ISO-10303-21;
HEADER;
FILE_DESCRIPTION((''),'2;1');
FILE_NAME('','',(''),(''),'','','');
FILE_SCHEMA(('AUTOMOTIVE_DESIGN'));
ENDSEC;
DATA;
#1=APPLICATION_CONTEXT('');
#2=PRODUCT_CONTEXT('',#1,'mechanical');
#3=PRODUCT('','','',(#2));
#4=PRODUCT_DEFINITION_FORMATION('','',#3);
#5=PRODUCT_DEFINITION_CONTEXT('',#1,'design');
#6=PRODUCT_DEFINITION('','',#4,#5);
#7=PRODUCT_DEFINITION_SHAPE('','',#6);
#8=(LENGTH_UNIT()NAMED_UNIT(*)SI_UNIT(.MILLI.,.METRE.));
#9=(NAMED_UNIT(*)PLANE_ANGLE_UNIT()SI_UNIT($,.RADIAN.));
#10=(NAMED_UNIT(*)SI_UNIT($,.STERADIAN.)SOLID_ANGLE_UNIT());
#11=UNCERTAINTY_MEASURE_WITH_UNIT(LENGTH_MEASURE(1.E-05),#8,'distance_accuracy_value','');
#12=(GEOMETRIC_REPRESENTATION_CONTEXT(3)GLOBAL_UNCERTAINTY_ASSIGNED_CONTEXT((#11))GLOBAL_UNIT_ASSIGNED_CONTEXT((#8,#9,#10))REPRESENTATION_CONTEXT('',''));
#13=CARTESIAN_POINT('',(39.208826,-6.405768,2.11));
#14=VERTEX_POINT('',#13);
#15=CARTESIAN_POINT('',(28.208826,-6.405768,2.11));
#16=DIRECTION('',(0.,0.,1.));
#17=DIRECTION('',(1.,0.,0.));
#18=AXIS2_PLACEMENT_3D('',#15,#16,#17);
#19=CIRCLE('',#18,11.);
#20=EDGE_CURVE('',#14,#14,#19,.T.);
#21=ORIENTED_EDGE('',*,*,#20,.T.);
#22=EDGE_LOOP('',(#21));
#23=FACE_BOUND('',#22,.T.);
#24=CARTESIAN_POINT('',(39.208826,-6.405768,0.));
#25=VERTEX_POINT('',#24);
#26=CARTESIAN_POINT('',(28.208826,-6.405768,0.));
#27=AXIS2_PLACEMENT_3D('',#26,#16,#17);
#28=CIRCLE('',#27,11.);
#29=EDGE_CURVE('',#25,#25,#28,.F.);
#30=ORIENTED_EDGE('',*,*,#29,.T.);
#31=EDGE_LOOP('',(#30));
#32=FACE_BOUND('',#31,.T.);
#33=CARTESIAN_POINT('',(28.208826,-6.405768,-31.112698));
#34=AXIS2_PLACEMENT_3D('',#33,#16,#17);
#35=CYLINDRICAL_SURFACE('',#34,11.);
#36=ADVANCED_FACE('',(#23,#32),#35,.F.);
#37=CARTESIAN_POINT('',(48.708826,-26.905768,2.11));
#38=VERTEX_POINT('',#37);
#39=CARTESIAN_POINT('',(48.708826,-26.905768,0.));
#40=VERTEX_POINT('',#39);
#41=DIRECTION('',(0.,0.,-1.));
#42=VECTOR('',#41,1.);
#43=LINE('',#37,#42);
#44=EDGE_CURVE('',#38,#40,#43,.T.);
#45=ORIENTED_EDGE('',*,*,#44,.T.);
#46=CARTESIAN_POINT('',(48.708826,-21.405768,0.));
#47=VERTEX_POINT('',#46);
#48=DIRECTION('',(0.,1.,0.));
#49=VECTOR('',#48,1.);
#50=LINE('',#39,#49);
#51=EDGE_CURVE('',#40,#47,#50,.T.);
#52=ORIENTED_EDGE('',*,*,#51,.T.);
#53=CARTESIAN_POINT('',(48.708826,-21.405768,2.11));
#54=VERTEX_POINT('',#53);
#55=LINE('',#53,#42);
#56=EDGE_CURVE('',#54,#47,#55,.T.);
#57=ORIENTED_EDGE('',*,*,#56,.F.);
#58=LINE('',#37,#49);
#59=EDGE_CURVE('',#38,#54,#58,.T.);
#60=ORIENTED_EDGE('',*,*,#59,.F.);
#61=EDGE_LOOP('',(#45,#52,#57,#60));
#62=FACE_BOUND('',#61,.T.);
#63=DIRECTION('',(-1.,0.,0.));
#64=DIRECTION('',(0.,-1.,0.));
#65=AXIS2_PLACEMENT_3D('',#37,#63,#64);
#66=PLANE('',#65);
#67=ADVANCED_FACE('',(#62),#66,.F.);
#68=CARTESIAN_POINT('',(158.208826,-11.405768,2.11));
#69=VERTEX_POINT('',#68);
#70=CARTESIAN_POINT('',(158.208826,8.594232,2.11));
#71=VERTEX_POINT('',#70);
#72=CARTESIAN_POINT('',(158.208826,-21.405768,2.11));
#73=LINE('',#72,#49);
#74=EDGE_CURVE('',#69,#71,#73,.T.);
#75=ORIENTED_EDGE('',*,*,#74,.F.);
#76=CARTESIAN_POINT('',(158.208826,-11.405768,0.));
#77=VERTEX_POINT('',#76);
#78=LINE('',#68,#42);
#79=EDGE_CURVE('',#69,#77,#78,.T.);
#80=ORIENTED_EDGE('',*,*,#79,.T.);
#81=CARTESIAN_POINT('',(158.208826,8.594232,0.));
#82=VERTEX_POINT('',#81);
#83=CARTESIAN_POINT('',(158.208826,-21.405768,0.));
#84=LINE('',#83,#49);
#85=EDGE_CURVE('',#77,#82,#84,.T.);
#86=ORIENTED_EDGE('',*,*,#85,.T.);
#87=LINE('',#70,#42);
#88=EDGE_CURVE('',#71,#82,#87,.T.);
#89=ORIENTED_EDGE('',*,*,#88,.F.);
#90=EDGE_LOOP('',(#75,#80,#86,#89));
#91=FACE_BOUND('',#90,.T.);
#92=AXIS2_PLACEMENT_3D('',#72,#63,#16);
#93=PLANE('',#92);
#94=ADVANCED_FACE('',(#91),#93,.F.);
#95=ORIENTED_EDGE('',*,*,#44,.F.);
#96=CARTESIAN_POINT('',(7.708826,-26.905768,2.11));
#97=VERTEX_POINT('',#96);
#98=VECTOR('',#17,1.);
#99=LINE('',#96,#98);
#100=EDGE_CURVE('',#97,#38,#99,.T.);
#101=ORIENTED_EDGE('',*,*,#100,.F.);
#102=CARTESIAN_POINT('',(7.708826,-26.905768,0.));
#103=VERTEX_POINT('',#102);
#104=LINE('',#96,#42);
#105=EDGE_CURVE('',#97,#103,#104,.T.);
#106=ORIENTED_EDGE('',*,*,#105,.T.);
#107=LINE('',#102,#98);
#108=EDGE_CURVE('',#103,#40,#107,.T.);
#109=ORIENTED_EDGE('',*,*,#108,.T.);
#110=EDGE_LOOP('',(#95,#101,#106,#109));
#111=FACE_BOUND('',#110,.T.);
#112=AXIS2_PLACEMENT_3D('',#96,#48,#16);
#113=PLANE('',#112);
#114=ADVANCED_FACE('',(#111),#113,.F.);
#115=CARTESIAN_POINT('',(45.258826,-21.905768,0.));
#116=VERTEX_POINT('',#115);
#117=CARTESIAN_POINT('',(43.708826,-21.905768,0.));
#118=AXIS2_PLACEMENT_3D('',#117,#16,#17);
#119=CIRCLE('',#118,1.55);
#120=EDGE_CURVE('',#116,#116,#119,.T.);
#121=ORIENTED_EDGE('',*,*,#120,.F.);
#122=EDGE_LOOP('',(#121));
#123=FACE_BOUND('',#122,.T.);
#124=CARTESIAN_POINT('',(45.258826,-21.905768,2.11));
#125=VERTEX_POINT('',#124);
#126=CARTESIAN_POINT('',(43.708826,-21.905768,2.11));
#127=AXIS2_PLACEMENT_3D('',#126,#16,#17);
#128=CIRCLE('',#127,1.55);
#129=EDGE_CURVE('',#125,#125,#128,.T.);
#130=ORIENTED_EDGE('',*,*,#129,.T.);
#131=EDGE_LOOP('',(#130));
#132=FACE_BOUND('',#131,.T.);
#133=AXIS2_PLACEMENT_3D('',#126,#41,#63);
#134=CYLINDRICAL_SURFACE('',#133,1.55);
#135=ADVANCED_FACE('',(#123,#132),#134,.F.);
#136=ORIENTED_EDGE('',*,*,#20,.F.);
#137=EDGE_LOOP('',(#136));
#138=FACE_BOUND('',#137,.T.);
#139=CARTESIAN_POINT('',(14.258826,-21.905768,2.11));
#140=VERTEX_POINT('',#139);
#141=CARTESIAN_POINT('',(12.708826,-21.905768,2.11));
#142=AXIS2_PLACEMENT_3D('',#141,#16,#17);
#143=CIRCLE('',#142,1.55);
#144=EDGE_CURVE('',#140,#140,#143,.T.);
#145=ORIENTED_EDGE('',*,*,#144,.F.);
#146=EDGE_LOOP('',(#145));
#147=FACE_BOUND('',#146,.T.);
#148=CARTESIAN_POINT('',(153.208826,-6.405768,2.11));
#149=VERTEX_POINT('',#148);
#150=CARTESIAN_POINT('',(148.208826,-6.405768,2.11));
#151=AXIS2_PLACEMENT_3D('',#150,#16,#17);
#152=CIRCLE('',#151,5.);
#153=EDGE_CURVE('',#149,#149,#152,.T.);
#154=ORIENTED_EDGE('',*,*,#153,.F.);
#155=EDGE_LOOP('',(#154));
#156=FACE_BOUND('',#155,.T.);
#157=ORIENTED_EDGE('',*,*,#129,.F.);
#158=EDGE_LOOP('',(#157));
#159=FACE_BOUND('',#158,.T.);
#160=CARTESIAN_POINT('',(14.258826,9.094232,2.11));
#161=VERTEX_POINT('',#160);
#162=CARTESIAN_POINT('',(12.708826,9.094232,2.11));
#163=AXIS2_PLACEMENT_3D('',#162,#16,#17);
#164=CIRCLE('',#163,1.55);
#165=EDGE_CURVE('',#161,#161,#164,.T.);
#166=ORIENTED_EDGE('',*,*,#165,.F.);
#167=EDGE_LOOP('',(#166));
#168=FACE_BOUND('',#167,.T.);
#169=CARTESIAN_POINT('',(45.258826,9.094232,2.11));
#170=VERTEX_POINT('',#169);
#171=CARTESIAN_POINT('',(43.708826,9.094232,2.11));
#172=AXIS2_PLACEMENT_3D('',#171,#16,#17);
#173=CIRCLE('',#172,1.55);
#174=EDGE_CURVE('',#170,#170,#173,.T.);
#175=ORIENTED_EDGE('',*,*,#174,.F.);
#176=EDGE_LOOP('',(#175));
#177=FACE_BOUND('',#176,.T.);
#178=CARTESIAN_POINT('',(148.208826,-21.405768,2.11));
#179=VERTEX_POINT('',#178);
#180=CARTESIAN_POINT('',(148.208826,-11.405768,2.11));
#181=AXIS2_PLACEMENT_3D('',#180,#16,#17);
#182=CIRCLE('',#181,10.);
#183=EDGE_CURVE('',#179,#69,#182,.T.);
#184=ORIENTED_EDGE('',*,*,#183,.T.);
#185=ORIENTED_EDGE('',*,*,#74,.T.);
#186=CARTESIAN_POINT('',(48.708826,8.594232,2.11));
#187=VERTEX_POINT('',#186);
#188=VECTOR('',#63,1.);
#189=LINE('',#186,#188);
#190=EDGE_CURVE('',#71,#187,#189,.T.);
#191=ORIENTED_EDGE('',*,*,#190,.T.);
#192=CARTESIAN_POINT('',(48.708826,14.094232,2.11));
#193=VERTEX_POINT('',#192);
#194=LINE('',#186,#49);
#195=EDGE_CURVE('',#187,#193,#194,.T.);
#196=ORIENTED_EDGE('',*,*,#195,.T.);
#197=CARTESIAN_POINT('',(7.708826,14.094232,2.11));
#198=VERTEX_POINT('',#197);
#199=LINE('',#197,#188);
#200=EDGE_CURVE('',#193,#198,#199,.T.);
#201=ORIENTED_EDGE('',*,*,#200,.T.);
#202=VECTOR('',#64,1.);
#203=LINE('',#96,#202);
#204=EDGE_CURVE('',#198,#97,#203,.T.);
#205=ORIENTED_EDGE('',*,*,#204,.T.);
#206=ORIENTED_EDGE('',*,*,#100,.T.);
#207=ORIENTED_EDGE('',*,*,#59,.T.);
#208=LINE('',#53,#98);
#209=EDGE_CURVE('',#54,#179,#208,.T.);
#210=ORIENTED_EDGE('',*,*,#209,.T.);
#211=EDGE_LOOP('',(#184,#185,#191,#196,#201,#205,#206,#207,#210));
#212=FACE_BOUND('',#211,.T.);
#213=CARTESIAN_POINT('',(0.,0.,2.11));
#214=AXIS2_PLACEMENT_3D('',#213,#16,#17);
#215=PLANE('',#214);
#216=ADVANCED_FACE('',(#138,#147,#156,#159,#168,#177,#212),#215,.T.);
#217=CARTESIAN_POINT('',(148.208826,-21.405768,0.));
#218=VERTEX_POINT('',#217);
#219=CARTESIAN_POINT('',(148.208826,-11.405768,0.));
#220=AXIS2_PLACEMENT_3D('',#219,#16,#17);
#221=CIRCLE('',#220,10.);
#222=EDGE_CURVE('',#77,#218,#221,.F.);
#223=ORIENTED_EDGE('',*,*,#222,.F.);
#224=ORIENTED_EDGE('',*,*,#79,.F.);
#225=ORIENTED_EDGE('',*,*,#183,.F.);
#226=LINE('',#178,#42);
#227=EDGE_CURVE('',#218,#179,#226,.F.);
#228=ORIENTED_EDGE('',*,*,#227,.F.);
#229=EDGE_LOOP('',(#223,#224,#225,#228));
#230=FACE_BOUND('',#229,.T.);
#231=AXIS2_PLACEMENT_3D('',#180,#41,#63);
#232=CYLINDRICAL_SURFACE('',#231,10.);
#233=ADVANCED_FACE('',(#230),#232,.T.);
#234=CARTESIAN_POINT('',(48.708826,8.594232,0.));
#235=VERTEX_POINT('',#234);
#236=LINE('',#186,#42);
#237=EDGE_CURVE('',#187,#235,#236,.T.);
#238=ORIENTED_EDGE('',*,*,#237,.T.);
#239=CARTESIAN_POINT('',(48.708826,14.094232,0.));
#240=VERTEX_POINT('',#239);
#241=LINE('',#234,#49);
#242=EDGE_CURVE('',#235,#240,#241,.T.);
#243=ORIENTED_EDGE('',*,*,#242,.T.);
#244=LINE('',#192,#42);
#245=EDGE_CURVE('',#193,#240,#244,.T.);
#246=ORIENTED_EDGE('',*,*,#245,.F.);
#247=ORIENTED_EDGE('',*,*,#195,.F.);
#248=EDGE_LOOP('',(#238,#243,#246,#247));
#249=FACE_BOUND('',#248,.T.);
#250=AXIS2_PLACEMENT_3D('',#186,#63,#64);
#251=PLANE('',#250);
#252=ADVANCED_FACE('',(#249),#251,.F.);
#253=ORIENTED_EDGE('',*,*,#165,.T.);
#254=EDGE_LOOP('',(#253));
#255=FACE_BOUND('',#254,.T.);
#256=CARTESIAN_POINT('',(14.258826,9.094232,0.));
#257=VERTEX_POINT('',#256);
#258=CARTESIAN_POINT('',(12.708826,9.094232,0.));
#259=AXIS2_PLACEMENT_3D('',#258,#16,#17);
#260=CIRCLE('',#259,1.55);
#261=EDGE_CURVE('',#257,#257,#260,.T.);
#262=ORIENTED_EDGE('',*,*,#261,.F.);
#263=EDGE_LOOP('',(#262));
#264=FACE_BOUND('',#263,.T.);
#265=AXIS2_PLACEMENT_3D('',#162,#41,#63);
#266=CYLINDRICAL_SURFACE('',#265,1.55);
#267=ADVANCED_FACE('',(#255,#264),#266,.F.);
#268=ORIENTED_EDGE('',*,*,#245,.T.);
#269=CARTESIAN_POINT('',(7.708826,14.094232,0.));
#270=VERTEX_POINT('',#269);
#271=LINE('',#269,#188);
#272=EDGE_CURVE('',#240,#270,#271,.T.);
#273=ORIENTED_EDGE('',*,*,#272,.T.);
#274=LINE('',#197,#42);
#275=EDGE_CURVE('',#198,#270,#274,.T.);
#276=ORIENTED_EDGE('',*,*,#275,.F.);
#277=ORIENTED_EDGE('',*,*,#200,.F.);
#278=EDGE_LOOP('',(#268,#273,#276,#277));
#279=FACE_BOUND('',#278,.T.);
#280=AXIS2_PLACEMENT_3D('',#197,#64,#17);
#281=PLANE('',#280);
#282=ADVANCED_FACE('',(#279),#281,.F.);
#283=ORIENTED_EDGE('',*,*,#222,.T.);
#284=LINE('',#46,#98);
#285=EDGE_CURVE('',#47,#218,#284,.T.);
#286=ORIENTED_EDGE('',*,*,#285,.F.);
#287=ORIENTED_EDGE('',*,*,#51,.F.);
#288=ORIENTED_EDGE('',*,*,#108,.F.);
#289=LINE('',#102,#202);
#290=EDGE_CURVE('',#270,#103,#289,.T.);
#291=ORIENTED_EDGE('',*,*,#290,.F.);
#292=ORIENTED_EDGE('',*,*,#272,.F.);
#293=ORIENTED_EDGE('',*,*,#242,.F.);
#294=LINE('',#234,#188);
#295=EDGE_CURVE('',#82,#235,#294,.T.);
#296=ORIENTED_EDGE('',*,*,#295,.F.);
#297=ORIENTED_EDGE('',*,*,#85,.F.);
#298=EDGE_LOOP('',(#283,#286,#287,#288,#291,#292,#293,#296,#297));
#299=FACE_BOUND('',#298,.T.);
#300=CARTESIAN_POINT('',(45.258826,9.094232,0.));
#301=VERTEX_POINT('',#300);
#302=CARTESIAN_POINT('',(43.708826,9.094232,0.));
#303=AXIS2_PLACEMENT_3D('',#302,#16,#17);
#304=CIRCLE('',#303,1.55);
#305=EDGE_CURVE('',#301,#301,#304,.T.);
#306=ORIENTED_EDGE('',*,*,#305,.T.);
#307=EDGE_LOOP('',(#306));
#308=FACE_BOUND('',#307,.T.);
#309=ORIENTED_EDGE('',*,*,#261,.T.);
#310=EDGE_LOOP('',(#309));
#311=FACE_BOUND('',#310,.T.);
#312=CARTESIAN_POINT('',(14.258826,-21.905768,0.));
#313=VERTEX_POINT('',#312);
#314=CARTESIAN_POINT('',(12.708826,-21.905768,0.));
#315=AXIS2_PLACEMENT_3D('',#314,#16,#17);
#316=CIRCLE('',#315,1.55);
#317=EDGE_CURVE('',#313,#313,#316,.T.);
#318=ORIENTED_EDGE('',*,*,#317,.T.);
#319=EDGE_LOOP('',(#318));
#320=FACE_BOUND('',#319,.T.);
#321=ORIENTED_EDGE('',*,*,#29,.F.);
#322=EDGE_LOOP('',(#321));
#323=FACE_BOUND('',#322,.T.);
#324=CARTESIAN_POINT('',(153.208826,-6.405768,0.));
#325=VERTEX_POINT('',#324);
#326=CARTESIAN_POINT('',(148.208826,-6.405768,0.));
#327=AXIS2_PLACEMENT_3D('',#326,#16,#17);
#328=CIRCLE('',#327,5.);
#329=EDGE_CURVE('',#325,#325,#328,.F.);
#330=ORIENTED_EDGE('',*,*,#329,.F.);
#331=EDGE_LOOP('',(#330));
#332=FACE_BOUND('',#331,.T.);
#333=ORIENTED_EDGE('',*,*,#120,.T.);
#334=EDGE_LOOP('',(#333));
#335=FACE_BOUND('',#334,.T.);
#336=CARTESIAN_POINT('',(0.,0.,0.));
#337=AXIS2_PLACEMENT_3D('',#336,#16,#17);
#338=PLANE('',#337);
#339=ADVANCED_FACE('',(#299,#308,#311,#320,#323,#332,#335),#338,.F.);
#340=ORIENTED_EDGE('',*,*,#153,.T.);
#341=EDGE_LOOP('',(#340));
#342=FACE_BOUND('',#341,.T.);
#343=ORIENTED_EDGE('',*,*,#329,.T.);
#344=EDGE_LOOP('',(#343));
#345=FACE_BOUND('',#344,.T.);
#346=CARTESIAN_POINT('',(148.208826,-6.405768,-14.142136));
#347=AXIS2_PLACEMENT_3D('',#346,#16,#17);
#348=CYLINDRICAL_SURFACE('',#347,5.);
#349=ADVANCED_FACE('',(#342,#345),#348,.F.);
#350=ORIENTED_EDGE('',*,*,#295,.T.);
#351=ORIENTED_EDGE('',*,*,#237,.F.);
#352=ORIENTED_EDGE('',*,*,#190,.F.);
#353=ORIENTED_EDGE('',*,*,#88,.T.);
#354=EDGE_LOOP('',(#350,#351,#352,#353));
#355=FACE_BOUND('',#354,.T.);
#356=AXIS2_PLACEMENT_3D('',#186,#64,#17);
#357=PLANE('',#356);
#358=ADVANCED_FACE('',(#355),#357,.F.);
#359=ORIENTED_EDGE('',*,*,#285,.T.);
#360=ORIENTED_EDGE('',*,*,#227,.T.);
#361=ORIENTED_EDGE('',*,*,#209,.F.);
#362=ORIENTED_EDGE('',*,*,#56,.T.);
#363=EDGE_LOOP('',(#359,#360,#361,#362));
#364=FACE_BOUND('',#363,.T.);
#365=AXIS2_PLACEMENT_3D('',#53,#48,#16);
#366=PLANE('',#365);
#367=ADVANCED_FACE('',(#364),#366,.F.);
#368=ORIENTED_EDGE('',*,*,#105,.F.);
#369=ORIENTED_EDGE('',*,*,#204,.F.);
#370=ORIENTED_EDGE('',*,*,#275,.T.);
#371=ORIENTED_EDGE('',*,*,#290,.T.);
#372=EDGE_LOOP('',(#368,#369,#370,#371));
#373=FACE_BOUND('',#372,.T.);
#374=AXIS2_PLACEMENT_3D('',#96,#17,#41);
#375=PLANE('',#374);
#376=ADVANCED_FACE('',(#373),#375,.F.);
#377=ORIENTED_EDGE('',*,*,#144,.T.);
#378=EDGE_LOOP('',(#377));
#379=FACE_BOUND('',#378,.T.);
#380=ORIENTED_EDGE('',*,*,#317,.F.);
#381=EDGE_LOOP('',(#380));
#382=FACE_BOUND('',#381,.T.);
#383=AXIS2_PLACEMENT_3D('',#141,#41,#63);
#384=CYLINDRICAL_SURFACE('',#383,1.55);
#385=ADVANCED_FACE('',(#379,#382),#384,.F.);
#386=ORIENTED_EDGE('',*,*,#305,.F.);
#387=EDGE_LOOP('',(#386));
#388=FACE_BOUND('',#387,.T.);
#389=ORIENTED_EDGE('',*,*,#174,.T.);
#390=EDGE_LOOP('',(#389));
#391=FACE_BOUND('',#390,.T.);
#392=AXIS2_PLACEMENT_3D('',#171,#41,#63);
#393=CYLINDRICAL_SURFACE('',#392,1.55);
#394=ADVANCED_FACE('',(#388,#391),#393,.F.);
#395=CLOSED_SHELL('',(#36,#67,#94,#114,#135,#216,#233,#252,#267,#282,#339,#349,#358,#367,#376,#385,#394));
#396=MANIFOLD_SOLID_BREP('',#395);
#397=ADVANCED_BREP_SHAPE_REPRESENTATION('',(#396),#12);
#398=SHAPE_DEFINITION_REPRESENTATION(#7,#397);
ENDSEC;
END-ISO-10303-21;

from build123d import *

# Parameters (mm, degrees)
CROQUIS1_R              = 1.55
SALIENTE_EXTRUIR1_DEPTH = 2.11
CROQUIS5_R              = 11
CORTAR_EXTRUIR1_DEPTH   = 2.11
CROQUIS6_R              = 5
CORTAR_EXTRUIR2_DEPTH   = 2.11
REDONDEO1_R             = 10


with BuildPart() as part:
    # Croquis1 → Saliente-Extruir1 (new body)
    with BuildSketch(Plane.XY):
        Polygon((158.208826457, -21.405767977), (158.208826457, 8.594232023), (48.708826457, 8.594232023), (48.708826457, 14.094232023), (7.708826457, 14.094232023), (7.708826457, -26.905767977), (48.708826457, -26.905767977), (48.708826457, -21.405767977), align=None)
        with Locations((12.708826457, -21.905767977)):
            Circle(CROQUIS1_R, mode=Mode.SUBTRACT)
        with Locations((12.708826457, 9.094232023)):
            Circle(CROQUIS1_R, mode=Mode.SUBTRACT)
        with Locations((43.708826457, 9.094232023)):
            Circle(CROQUIS1_R, mode=Mode.SUBTRACT)
        with Locations((43.708826457, -21.905767977)):
            Circle(CROQUIS1_R, mode=Mode.SUBTRACT)
    extrude(amount=SALIENTE_EXTRUIR1_DEPTH)

    # Croquis5 → Cortar-Extruir1 (cut)
    with BuildSketch(Plane.XY.offset(2.11)):
        with Locations((28.208826457, -6.405767977)):
            Circle(CROQUIS5_R)
    extrude(amount=-CORTAR_EXTRUIR1_DEPTH, mode=Mode.SUBTRACT)

    # Croquis6 → Cortar-Extruir2 (cut)
    with BuildSketch(Plane.XY.offset(2.11)):
        with Locations((148.208826457, -6.405767977)):
            Circle(CROQUIS6_R)
    extrude(amount=-CORTAR_EXTRUIR2_DEPTH, mode=Mode.SUBTRACT)

    # Redondeo1
    redondeo1_edges = [part.edges().sort_by_distance(p)[0] for p in [
        (158.208826457, -21.405767977, 1.055),
    ]]
    fillet(redondeo1_edges, radius=REDONDEO1_R)


solid = part.part
